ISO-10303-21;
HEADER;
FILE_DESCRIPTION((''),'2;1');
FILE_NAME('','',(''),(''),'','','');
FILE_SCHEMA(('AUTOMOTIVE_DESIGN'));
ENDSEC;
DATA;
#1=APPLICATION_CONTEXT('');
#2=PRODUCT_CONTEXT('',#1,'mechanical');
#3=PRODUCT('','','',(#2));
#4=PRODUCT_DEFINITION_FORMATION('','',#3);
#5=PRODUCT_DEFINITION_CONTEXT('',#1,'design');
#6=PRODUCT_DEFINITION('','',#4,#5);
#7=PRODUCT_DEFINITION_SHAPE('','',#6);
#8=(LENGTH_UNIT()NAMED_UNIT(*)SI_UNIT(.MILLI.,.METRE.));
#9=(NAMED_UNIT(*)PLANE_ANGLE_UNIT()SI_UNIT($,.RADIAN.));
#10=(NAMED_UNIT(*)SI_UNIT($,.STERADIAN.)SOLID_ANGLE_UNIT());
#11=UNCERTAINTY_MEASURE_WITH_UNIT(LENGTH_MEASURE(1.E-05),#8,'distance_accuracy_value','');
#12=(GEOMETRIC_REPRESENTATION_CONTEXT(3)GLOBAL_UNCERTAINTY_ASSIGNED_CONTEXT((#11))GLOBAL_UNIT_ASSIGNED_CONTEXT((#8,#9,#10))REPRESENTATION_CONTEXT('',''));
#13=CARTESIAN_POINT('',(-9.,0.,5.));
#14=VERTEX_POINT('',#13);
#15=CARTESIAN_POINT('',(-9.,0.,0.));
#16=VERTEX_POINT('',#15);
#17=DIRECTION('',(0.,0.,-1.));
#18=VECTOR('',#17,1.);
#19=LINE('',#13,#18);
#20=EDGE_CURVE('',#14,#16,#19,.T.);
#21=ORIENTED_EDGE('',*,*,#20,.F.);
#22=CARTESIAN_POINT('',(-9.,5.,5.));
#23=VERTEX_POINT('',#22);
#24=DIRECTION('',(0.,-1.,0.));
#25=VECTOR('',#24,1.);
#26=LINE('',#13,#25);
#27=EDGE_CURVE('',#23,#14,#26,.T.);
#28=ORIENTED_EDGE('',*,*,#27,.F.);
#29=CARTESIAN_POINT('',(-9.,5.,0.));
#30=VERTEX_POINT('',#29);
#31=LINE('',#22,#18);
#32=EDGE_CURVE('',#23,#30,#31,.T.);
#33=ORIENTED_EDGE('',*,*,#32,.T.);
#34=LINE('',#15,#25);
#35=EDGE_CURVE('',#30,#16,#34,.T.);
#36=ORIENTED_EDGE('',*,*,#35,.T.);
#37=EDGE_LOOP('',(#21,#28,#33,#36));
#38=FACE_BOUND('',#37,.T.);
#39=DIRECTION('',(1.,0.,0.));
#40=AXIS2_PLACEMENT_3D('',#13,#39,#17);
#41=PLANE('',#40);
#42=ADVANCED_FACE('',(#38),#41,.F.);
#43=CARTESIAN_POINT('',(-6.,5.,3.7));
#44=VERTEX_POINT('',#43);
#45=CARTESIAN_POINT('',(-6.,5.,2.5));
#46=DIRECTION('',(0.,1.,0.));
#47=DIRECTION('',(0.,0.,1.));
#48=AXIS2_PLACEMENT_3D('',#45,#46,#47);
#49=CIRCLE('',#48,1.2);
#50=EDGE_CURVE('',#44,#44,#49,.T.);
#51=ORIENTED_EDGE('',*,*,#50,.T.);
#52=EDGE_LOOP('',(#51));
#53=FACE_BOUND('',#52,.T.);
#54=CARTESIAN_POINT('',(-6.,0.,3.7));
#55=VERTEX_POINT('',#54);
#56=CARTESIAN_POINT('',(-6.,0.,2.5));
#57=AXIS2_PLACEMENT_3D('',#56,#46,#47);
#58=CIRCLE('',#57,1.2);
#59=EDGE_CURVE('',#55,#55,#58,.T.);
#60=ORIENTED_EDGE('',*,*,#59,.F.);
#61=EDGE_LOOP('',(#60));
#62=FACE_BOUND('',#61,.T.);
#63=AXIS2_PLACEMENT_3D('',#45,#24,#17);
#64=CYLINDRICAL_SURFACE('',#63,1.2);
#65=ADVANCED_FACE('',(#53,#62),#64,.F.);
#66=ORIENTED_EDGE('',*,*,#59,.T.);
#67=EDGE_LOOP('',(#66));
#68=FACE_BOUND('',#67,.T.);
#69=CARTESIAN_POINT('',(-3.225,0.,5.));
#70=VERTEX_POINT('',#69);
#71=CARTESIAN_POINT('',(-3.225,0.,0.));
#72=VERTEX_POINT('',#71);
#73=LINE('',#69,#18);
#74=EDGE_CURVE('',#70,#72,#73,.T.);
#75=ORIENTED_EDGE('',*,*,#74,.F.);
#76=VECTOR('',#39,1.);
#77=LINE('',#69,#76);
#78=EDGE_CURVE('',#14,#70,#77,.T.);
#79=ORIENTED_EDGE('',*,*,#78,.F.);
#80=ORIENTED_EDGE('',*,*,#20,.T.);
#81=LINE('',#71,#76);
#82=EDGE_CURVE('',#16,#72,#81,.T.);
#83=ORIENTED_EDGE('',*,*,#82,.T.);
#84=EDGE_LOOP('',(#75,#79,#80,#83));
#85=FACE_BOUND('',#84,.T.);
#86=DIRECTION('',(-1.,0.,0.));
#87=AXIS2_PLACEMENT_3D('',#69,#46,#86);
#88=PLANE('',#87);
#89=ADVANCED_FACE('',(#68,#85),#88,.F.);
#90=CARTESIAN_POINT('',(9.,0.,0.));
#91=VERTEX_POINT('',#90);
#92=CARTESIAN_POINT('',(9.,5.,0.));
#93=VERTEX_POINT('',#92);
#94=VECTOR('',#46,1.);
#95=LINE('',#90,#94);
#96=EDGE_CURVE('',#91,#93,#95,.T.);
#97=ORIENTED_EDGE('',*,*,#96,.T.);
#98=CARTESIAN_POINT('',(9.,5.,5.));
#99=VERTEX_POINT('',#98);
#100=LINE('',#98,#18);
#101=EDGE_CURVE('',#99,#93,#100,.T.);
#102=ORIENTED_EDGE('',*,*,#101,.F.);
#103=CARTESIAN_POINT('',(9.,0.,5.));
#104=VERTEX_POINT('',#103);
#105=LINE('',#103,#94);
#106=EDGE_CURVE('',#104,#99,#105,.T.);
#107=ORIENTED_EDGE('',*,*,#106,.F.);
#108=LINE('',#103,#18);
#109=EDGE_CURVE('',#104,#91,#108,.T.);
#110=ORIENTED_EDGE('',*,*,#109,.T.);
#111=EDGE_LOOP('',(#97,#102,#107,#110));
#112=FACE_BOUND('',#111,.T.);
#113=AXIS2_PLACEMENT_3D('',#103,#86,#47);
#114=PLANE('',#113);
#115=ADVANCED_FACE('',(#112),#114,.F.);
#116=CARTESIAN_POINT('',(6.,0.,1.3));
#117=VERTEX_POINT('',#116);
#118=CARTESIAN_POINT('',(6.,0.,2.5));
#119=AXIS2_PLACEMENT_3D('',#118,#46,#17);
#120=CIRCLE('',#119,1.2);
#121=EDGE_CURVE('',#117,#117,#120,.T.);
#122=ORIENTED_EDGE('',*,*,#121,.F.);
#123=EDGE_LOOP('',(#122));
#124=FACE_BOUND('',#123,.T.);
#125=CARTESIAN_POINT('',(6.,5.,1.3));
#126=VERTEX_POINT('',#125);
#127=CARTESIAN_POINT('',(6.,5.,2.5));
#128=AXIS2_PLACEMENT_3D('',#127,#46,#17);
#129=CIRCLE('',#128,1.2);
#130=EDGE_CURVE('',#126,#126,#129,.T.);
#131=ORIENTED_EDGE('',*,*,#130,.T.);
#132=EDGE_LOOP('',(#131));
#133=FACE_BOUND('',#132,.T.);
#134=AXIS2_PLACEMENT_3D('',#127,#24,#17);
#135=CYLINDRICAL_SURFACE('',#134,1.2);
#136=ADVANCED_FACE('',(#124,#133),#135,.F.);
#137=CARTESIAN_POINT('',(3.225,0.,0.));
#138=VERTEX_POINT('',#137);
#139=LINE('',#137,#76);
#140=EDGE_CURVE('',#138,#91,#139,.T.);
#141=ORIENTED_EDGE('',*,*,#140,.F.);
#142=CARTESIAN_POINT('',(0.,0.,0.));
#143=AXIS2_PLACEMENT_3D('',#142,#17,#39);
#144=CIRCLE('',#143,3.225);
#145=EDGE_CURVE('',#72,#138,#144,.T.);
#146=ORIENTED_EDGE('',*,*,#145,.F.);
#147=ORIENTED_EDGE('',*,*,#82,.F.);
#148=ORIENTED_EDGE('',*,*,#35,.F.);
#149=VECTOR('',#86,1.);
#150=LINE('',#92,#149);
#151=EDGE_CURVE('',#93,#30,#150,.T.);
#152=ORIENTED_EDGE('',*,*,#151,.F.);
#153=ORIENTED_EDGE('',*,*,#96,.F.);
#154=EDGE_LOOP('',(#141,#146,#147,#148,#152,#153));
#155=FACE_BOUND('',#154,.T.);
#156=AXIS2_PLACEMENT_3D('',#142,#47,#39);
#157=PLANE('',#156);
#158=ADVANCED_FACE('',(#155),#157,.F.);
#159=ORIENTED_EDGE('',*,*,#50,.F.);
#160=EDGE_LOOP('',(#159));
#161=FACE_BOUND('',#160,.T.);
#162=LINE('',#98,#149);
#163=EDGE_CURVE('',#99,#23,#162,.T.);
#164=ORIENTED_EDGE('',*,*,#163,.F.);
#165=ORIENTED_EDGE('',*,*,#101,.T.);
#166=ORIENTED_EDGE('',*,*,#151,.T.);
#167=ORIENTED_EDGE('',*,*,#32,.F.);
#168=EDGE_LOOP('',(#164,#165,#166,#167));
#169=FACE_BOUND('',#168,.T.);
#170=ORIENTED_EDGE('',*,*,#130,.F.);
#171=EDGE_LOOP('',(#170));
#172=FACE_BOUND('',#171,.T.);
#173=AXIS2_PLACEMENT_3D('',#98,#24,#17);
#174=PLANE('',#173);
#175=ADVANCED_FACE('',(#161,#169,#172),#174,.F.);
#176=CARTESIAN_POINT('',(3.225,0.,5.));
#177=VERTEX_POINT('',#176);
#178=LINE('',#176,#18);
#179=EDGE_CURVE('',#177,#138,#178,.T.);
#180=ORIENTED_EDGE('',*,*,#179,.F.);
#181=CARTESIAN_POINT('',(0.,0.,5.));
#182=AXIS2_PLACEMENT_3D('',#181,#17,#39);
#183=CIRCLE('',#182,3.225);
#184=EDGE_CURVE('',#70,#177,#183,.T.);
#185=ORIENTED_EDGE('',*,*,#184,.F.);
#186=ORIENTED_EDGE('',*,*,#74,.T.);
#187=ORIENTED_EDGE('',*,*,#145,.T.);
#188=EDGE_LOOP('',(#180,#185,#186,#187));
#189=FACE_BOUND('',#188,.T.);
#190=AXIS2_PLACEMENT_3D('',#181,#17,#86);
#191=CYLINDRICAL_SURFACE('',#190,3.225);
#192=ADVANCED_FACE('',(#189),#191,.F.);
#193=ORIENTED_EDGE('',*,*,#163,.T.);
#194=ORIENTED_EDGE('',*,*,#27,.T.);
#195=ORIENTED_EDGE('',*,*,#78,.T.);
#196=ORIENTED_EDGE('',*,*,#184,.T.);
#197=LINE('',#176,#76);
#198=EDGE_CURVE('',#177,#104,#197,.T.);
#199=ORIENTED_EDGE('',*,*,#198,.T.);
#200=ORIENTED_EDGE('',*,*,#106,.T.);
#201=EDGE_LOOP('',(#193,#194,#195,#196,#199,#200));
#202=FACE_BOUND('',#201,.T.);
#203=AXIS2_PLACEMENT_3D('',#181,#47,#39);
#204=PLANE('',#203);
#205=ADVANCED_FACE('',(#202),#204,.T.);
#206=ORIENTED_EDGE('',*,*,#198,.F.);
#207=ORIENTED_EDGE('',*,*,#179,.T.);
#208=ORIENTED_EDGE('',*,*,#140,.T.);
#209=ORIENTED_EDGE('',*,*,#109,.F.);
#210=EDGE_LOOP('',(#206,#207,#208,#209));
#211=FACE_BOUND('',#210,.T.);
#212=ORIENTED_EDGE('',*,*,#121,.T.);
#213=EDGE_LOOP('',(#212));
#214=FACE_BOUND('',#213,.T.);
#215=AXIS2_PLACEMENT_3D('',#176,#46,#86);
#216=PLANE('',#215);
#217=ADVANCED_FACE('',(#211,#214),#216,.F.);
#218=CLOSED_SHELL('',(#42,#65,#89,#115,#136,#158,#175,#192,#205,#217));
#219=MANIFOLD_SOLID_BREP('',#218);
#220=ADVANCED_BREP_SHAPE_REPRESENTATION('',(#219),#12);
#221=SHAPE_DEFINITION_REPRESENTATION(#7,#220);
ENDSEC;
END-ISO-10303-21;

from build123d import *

# Parameters (mm, degrees)
BOSS_EXTRUDE1_DEPTH = 5
SKETCH2_R           = 1.2
CUT_EXTRUDE1_DEPTH  = 12.445523142


with BuildPart() as part:
    # Sketch1 → Boss-Extrude1 (new body)
    with BuildSketch(Plane.XY):
        with BuildLine():
            Line((3.225, 0), (9, 0))
            Line((9, 0), (9, 5))
            Line((9, 5), (-9, 5))
            Line((-9, 5), (-9, 0))
            Line((-9, 0), (-3.225, 0))
            ThreePointArc((-3.225, 0), (0, 3.225), (3.225, 0))
        make_face()
    extrude(amount=BOSS_EXTRUDE1_DEPTH)

    # Sketch2 → Cut-Extrude1 (cut, through all)
    with BuildSketch(Plane(origin=(0, 0, 0), x_dir=(1, 0, 0), z_dir=(0, 1, 0))):
        with Locations(Location((-6, -2.5, 0), (0, 0, 270))):
            Circle(SKETCH2_R)
        with Locations(Location((6, -2.5, 0), (0, 0, 90))):
            Circle(SKETCH2_R)
    extrude(amount=CUT_EXTRUDE1_DEPTH, mode=Mode.SUBTRACT)


solid = part.part
